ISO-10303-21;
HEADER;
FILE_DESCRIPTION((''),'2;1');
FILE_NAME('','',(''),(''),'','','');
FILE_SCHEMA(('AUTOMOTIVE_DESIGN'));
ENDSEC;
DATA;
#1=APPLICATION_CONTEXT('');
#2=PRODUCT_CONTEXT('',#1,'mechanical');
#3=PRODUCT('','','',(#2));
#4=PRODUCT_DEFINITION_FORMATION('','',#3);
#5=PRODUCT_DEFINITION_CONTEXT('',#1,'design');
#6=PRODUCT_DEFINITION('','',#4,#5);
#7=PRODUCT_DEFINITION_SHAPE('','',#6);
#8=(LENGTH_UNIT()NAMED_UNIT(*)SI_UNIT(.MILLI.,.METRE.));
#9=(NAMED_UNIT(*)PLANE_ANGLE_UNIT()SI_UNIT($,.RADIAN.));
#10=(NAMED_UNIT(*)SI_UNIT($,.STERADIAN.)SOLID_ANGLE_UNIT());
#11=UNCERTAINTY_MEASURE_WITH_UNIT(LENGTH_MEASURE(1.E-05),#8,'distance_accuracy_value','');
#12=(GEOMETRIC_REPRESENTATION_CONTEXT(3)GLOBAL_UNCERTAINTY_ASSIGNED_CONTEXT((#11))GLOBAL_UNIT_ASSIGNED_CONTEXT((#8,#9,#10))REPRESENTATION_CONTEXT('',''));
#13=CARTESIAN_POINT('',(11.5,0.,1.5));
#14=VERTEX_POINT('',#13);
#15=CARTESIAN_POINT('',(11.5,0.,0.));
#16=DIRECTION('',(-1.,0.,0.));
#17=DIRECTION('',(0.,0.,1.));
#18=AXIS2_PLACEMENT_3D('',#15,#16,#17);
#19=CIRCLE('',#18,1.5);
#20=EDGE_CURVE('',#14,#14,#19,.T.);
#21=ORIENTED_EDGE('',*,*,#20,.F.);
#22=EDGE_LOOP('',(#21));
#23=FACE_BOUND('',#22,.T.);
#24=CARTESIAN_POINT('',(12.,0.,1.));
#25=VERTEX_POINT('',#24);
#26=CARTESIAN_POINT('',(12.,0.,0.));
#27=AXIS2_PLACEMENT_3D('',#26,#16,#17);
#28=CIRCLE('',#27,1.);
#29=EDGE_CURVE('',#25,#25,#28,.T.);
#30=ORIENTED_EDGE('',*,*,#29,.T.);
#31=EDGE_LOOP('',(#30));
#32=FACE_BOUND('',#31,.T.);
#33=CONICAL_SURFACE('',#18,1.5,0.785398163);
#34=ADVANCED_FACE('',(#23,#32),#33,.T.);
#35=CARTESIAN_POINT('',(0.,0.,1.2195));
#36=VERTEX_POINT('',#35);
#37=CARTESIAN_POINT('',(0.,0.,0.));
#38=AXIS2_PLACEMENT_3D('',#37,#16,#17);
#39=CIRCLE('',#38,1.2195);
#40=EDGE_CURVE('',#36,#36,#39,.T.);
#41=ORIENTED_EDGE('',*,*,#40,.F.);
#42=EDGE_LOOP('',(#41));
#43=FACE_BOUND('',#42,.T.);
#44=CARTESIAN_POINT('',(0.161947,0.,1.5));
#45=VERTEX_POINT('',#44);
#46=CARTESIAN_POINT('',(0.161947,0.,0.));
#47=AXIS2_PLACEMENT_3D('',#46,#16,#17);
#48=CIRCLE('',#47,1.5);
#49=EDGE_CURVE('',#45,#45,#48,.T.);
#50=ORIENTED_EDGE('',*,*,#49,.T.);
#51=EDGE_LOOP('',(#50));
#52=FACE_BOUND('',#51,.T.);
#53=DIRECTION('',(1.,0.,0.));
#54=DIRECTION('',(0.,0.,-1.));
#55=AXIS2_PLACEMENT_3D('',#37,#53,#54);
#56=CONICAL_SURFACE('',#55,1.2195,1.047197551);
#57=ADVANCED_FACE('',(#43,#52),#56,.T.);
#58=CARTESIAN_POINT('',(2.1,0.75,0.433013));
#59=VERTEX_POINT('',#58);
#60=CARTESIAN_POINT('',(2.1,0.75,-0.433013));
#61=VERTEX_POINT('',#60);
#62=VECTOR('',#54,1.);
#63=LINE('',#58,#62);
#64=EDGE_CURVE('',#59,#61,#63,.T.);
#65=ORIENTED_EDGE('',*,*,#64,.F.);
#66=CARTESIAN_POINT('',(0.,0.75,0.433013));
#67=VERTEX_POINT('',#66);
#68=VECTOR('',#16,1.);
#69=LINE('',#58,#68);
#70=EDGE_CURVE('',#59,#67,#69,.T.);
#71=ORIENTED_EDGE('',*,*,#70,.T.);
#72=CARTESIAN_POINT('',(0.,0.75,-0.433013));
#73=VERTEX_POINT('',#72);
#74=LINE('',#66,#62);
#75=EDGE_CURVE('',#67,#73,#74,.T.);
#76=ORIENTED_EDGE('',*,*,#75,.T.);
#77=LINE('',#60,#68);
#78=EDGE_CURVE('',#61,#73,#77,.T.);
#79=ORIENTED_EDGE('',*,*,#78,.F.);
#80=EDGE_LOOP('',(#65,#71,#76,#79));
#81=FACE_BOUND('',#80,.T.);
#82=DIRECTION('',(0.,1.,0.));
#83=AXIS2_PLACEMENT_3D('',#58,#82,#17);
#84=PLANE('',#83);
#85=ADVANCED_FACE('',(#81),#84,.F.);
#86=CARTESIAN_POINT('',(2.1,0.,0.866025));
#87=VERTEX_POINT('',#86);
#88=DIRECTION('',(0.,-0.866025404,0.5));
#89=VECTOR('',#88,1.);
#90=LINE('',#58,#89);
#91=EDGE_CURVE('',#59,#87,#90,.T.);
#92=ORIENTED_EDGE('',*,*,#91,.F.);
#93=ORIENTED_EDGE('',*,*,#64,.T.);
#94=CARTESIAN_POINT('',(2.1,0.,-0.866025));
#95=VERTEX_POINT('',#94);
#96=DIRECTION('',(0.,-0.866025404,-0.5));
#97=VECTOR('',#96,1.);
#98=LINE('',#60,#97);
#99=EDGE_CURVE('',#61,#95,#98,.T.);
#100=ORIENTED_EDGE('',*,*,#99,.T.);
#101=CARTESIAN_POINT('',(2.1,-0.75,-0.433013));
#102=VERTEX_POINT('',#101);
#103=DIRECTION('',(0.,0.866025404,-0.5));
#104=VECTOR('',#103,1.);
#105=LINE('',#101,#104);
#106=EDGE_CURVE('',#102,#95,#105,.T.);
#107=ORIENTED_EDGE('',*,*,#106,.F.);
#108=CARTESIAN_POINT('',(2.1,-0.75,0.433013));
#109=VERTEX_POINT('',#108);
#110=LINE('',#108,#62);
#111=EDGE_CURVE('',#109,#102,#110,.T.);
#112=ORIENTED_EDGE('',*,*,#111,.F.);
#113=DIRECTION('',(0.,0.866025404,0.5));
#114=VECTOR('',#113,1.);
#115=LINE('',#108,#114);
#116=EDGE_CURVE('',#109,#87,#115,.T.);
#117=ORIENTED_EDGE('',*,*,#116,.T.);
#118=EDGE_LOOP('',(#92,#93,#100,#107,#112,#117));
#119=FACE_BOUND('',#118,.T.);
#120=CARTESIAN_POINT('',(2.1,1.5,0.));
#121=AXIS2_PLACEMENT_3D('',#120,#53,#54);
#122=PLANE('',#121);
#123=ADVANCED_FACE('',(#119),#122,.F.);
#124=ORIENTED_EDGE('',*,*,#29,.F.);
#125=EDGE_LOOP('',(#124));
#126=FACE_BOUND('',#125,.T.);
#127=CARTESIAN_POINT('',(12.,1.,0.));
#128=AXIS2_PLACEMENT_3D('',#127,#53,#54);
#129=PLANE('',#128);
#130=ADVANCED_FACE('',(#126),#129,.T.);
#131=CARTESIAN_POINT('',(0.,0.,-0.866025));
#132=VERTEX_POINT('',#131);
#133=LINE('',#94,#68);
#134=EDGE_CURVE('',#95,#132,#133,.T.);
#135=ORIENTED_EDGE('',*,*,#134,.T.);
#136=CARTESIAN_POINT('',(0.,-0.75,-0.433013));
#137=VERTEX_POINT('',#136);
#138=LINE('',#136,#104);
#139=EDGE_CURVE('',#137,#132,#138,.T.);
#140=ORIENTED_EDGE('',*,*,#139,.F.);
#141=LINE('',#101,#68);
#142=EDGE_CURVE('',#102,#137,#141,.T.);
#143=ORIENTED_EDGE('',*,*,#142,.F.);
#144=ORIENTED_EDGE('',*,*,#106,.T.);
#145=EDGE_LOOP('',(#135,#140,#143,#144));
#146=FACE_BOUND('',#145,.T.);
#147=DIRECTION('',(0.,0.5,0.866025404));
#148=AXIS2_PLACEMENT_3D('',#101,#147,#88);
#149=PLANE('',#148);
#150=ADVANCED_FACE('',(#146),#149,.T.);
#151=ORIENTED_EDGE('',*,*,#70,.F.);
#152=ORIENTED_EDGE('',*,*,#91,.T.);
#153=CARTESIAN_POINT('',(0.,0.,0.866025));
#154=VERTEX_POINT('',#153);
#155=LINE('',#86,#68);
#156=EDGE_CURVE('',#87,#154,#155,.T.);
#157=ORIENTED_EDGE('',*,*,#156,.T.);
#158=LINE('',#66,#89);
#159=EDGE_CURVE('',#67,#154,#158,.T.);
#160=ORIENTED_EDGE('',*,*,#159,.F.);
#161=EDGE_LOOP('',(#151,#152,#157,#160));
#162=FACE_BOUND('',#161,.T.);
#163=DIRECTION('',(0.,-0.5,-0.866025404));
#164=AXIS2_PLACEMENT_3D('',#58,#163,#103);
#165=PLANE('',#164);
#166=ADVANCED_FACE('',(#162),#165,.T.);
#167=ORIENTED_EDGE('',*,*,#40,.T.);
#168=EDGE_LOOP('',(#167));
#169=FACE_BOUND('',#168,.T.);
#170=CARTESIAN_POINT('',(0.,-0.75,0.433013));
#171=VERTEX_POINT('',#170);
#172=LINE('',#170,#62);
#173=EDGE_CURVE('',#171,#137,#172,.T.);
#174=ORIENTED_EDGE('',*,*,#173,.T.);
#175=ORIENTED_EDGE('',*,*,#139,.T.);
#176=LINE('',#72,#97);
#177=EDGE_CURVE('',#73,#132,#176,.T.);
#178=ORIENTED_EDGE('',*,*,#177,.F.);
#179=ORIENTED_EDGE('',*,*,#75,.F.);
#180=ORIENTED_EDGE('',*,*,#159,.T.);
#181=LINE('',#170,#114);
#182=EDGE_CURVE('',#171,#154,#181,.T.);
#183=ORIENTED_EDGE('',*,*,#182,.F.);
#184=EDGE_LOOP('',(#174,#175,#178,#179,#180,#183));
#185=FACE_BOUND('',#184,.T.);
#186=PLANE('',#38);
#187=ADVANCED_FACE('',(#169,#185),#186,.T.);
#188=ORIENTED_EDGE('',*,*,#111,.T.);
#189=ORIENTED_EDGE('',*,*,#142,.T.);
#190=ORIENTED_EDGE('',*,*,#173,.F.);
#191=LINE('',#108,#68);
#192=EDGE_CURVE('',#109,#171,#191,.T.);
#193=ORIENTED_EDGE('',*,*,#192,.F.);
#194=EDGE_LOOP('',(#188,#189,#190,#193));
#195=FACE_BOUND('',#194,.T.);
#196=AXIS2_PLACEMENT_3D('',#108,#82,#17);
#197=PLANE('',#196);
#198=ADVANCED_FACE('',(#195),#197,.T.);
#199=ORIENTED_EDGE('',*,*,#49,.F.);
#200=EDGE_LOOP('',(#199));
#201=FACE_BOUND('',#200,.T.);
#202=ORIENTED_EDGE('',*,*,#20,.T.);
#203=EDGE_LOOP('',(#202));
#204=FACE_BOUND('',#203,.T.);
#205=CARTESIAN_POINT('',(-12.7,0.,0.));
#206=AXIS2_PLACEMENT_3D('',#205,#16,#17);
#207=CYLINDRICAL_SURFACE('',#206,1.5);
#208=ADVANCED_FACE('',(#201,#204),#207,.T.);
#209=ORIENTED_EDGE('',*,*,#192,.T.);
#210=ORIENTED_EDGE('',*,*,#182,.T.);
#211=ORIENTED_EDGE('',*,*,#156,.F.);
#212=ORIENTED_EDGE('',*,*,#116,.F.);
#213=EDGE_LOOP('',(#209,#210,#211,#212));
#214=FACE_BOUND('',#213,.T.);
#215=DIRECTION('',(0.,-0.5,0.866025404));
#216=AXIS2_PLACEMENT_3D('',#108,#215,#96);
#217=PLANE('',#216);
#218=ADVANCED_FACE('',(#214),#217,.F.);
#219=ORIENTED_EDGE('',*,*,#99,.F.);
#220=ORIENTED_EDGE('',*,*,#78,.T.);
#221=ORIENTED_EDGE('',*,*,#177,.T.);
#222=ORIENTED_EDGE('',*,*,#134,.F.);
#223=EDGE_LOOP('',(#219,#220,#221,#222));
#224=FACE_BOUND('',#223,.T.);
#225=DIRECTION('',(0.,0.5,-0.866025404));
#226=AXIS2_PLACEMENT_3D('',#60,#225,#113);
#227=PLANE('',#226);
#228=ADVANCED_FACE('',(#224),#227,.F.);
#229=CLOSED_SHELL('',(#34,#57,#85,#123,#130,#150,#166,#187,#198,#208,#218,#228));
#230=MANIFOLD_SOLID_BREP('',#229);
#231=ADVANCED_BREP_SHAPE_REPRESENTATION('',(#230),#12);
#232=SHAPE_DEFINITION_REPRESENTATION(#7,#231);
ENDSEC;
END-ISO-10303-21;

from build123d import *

# Parameters (mm, degrees)
HEX_2_DEPTH = 2.1


with BuildPart() as part:
    # BodySke → BaseBody (revolve)
    with BuildSketch(Plane.XY, mode=Mode.PRIVATE) as basebody_sk:
        Polygon((0, 0), (0, 1.2195), (0.161946751, 1.5), (11.5, 1.5), (12, 1), (12, 0), align=None)
    revolve(basebody_sk.sketch.rotate(Axis((-12.7, 0, 0), (1, 0, 0)), 90), axis=Axis((-12.7, 0, 0), (1, 0, 0)))

    # Sketch2 → Hex 2 (cut)
    with BuildSketch(Plane.ZY):
        Polygon((0.433012702, 0.75), (-0.433012702, 0.75), (-0.866025404, 0), (-0.433012702, -0.75), (0.433012702, -0.75), (0.866025404, 0), align=None)
    extrude(amount=-HEX_2_DEPTH, mode=Mode.SUBTRACT)


solid = part.part
